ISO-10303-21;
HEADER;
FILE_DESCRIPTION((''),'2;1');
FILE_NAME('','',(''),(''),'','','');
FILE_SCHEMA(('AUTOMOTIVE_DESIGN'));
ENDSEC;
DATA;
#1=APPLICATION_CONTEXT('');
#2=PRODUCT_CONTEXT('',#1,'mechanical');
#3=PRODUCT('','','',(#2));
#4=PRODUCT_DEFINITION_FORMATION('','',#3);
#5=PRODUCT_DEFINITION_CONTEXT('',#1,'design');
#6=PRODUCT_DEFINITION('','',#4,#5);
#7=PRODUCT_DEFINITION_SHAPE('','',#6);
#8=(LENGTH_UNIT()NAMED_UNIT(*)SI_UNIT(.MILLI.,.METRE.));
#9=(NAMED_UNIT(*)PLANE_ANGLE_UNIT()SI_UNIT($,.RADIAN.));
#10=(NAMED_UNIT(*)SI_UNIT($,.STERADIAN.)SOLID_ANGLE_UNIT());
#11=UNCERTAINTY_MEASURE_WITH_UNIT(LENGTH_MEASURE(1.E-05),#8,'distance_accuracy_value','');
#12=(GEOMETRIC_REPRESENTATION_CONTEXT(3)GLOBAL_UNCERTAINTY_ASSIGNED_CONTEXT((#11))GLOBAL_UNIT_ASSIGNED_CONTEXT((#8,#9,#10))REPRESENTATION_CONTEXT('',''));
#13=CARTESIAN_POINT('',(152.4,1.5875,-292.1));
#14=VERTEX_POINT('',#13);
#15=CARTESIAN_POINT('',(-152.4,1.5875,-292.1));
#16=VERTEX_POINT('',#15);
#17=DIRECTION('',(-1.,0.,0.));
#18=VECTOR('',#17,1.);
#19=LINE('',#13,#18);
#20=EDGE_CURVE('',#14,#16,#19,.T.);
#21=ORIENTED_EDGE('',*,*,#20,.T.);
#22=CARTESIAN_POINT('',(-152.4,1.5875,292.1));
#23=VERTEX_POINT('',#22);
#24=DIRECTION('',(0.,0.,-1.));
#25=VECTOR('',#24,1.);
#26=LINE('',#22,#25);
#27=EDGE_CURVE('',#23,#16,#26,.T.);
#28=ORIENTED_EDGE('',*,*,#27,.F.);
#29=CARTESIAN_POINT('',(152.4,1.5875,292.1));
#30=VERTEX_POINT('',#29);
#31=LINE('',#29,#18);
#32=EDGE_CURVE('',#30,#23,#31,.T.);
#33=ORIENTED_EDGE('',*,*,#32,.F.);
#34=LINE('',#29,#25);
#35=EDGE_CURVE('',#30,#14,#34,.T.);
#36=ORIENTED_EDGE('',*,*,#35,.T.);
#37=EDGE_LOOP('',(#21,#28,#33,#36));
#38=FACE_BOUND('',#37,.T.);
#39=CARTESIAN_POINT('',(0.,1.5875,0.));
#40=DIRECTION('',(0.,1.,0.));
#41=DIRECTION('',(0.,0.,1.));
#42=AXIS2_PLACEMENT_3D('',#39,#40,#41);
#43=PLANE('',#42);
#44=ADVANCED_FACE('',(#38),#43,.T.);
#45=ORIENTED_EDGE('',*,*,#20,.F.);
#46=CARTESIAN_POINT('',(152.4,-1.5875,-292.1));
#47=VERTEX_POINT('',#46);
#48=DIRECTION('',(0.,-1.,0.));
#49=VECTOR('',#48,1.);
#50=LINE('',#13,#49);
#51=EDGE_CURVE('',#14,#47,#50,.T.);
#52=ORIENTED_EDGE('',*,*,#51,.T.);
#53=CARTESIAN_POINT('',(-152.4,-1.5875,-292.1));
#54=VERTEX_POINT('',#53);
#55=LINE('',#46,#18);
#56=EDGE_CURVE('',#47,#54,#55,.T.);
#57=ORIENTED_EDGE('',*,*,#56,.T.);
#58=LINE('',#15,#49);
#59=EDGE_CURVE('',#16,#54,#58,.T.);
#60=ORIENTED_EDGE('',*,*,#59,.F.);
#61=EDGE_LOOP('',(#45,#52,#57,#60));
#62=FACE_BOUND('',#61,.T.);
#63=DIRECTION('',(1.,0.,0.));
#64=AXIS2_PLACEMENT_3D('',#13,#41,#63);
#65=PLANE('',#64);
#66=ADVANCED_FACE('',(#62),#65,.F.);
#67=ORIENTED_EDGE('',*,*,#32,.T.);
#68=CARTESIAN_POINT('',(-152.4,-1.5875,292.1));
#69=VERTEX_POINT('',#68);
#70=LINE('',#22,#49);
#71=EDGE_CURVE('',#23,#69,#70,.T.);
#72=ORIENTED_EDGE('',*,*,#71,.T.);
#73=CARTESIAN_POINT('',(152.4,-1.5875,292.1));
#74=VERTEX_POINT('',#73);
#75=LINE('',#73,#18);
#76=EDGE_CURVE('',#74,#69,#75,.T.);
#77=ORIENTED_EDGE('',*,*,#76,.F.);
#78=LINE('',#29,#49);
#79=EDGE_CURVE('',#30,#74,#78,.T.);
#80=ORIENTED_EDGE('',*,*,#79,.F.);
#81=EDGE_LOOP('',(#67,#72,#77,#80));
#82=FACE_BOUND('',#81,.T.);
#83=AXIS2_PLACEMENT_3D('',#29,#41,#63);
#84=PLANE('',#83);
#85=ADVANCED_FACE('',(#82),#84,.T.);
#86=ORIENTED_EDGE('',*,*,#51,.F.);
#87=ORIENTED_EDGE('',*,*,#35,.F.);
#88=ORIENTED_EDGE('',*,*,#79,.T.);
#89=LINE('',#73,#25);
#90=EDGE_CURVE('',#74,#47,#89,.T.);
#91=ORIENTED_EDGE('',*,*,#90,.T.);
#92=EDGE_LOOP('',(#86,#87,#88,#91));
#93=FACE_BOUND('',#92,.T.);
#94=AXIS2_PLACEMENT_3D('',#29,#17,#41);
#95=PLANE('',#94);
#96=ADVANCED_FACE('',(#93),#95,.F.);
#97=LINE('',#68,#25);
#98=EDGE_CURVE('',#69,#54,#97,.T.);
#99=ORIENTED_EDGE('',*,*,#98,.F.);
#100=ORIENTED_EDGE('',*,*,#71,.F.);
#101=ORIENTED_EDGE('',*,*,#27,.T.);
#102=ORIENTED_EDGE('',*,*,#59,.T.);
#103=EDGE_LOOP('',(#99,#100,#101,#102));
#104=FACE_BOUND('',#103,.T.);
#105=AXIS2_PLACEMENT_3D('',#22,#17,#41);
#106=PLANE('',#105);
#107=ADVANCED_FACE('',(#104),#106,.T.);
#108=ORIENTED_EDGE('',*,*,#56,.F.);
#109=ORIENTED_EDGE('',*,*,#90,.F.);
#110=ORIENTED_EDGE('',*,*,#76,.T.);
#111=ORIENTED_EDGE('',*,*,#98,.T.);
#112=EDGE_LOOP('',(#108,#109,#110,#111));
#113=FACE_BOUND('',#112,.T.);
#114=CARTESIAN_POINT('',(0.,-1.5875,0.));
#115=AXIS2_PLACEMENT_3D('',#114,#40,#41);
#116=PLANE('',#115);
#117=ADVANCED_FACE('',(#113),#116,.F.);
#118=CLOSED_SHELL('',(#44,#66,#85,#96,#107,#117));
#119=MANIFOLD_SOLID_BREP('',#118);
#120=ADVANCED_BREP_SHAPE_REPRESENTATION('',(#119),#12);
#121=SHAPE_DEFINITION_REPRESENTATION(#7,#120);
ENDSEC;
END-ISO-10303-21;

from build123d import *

# Parameters (mm, degrees)
SKETCH1_W           = 304.8
SKETCH1_H           = 584.2
BOSS_EXTRUDE1_DEPTH = 1.5875


with BuildPart() as part:
    # Sketch1 → Boss-Extrude1 (new, symmetric)
    with BuildSketch(Plane(origin=(0, 0, 0), x_dir=(1, 0, 0), z_dir=(0, 1, 0))):
        Rectangle(SKETCH1_W, SKETCH1_H)
    extrude(amount=BOSS_EXTRUDE1_DEPTH, both=True)


solid = part.part
